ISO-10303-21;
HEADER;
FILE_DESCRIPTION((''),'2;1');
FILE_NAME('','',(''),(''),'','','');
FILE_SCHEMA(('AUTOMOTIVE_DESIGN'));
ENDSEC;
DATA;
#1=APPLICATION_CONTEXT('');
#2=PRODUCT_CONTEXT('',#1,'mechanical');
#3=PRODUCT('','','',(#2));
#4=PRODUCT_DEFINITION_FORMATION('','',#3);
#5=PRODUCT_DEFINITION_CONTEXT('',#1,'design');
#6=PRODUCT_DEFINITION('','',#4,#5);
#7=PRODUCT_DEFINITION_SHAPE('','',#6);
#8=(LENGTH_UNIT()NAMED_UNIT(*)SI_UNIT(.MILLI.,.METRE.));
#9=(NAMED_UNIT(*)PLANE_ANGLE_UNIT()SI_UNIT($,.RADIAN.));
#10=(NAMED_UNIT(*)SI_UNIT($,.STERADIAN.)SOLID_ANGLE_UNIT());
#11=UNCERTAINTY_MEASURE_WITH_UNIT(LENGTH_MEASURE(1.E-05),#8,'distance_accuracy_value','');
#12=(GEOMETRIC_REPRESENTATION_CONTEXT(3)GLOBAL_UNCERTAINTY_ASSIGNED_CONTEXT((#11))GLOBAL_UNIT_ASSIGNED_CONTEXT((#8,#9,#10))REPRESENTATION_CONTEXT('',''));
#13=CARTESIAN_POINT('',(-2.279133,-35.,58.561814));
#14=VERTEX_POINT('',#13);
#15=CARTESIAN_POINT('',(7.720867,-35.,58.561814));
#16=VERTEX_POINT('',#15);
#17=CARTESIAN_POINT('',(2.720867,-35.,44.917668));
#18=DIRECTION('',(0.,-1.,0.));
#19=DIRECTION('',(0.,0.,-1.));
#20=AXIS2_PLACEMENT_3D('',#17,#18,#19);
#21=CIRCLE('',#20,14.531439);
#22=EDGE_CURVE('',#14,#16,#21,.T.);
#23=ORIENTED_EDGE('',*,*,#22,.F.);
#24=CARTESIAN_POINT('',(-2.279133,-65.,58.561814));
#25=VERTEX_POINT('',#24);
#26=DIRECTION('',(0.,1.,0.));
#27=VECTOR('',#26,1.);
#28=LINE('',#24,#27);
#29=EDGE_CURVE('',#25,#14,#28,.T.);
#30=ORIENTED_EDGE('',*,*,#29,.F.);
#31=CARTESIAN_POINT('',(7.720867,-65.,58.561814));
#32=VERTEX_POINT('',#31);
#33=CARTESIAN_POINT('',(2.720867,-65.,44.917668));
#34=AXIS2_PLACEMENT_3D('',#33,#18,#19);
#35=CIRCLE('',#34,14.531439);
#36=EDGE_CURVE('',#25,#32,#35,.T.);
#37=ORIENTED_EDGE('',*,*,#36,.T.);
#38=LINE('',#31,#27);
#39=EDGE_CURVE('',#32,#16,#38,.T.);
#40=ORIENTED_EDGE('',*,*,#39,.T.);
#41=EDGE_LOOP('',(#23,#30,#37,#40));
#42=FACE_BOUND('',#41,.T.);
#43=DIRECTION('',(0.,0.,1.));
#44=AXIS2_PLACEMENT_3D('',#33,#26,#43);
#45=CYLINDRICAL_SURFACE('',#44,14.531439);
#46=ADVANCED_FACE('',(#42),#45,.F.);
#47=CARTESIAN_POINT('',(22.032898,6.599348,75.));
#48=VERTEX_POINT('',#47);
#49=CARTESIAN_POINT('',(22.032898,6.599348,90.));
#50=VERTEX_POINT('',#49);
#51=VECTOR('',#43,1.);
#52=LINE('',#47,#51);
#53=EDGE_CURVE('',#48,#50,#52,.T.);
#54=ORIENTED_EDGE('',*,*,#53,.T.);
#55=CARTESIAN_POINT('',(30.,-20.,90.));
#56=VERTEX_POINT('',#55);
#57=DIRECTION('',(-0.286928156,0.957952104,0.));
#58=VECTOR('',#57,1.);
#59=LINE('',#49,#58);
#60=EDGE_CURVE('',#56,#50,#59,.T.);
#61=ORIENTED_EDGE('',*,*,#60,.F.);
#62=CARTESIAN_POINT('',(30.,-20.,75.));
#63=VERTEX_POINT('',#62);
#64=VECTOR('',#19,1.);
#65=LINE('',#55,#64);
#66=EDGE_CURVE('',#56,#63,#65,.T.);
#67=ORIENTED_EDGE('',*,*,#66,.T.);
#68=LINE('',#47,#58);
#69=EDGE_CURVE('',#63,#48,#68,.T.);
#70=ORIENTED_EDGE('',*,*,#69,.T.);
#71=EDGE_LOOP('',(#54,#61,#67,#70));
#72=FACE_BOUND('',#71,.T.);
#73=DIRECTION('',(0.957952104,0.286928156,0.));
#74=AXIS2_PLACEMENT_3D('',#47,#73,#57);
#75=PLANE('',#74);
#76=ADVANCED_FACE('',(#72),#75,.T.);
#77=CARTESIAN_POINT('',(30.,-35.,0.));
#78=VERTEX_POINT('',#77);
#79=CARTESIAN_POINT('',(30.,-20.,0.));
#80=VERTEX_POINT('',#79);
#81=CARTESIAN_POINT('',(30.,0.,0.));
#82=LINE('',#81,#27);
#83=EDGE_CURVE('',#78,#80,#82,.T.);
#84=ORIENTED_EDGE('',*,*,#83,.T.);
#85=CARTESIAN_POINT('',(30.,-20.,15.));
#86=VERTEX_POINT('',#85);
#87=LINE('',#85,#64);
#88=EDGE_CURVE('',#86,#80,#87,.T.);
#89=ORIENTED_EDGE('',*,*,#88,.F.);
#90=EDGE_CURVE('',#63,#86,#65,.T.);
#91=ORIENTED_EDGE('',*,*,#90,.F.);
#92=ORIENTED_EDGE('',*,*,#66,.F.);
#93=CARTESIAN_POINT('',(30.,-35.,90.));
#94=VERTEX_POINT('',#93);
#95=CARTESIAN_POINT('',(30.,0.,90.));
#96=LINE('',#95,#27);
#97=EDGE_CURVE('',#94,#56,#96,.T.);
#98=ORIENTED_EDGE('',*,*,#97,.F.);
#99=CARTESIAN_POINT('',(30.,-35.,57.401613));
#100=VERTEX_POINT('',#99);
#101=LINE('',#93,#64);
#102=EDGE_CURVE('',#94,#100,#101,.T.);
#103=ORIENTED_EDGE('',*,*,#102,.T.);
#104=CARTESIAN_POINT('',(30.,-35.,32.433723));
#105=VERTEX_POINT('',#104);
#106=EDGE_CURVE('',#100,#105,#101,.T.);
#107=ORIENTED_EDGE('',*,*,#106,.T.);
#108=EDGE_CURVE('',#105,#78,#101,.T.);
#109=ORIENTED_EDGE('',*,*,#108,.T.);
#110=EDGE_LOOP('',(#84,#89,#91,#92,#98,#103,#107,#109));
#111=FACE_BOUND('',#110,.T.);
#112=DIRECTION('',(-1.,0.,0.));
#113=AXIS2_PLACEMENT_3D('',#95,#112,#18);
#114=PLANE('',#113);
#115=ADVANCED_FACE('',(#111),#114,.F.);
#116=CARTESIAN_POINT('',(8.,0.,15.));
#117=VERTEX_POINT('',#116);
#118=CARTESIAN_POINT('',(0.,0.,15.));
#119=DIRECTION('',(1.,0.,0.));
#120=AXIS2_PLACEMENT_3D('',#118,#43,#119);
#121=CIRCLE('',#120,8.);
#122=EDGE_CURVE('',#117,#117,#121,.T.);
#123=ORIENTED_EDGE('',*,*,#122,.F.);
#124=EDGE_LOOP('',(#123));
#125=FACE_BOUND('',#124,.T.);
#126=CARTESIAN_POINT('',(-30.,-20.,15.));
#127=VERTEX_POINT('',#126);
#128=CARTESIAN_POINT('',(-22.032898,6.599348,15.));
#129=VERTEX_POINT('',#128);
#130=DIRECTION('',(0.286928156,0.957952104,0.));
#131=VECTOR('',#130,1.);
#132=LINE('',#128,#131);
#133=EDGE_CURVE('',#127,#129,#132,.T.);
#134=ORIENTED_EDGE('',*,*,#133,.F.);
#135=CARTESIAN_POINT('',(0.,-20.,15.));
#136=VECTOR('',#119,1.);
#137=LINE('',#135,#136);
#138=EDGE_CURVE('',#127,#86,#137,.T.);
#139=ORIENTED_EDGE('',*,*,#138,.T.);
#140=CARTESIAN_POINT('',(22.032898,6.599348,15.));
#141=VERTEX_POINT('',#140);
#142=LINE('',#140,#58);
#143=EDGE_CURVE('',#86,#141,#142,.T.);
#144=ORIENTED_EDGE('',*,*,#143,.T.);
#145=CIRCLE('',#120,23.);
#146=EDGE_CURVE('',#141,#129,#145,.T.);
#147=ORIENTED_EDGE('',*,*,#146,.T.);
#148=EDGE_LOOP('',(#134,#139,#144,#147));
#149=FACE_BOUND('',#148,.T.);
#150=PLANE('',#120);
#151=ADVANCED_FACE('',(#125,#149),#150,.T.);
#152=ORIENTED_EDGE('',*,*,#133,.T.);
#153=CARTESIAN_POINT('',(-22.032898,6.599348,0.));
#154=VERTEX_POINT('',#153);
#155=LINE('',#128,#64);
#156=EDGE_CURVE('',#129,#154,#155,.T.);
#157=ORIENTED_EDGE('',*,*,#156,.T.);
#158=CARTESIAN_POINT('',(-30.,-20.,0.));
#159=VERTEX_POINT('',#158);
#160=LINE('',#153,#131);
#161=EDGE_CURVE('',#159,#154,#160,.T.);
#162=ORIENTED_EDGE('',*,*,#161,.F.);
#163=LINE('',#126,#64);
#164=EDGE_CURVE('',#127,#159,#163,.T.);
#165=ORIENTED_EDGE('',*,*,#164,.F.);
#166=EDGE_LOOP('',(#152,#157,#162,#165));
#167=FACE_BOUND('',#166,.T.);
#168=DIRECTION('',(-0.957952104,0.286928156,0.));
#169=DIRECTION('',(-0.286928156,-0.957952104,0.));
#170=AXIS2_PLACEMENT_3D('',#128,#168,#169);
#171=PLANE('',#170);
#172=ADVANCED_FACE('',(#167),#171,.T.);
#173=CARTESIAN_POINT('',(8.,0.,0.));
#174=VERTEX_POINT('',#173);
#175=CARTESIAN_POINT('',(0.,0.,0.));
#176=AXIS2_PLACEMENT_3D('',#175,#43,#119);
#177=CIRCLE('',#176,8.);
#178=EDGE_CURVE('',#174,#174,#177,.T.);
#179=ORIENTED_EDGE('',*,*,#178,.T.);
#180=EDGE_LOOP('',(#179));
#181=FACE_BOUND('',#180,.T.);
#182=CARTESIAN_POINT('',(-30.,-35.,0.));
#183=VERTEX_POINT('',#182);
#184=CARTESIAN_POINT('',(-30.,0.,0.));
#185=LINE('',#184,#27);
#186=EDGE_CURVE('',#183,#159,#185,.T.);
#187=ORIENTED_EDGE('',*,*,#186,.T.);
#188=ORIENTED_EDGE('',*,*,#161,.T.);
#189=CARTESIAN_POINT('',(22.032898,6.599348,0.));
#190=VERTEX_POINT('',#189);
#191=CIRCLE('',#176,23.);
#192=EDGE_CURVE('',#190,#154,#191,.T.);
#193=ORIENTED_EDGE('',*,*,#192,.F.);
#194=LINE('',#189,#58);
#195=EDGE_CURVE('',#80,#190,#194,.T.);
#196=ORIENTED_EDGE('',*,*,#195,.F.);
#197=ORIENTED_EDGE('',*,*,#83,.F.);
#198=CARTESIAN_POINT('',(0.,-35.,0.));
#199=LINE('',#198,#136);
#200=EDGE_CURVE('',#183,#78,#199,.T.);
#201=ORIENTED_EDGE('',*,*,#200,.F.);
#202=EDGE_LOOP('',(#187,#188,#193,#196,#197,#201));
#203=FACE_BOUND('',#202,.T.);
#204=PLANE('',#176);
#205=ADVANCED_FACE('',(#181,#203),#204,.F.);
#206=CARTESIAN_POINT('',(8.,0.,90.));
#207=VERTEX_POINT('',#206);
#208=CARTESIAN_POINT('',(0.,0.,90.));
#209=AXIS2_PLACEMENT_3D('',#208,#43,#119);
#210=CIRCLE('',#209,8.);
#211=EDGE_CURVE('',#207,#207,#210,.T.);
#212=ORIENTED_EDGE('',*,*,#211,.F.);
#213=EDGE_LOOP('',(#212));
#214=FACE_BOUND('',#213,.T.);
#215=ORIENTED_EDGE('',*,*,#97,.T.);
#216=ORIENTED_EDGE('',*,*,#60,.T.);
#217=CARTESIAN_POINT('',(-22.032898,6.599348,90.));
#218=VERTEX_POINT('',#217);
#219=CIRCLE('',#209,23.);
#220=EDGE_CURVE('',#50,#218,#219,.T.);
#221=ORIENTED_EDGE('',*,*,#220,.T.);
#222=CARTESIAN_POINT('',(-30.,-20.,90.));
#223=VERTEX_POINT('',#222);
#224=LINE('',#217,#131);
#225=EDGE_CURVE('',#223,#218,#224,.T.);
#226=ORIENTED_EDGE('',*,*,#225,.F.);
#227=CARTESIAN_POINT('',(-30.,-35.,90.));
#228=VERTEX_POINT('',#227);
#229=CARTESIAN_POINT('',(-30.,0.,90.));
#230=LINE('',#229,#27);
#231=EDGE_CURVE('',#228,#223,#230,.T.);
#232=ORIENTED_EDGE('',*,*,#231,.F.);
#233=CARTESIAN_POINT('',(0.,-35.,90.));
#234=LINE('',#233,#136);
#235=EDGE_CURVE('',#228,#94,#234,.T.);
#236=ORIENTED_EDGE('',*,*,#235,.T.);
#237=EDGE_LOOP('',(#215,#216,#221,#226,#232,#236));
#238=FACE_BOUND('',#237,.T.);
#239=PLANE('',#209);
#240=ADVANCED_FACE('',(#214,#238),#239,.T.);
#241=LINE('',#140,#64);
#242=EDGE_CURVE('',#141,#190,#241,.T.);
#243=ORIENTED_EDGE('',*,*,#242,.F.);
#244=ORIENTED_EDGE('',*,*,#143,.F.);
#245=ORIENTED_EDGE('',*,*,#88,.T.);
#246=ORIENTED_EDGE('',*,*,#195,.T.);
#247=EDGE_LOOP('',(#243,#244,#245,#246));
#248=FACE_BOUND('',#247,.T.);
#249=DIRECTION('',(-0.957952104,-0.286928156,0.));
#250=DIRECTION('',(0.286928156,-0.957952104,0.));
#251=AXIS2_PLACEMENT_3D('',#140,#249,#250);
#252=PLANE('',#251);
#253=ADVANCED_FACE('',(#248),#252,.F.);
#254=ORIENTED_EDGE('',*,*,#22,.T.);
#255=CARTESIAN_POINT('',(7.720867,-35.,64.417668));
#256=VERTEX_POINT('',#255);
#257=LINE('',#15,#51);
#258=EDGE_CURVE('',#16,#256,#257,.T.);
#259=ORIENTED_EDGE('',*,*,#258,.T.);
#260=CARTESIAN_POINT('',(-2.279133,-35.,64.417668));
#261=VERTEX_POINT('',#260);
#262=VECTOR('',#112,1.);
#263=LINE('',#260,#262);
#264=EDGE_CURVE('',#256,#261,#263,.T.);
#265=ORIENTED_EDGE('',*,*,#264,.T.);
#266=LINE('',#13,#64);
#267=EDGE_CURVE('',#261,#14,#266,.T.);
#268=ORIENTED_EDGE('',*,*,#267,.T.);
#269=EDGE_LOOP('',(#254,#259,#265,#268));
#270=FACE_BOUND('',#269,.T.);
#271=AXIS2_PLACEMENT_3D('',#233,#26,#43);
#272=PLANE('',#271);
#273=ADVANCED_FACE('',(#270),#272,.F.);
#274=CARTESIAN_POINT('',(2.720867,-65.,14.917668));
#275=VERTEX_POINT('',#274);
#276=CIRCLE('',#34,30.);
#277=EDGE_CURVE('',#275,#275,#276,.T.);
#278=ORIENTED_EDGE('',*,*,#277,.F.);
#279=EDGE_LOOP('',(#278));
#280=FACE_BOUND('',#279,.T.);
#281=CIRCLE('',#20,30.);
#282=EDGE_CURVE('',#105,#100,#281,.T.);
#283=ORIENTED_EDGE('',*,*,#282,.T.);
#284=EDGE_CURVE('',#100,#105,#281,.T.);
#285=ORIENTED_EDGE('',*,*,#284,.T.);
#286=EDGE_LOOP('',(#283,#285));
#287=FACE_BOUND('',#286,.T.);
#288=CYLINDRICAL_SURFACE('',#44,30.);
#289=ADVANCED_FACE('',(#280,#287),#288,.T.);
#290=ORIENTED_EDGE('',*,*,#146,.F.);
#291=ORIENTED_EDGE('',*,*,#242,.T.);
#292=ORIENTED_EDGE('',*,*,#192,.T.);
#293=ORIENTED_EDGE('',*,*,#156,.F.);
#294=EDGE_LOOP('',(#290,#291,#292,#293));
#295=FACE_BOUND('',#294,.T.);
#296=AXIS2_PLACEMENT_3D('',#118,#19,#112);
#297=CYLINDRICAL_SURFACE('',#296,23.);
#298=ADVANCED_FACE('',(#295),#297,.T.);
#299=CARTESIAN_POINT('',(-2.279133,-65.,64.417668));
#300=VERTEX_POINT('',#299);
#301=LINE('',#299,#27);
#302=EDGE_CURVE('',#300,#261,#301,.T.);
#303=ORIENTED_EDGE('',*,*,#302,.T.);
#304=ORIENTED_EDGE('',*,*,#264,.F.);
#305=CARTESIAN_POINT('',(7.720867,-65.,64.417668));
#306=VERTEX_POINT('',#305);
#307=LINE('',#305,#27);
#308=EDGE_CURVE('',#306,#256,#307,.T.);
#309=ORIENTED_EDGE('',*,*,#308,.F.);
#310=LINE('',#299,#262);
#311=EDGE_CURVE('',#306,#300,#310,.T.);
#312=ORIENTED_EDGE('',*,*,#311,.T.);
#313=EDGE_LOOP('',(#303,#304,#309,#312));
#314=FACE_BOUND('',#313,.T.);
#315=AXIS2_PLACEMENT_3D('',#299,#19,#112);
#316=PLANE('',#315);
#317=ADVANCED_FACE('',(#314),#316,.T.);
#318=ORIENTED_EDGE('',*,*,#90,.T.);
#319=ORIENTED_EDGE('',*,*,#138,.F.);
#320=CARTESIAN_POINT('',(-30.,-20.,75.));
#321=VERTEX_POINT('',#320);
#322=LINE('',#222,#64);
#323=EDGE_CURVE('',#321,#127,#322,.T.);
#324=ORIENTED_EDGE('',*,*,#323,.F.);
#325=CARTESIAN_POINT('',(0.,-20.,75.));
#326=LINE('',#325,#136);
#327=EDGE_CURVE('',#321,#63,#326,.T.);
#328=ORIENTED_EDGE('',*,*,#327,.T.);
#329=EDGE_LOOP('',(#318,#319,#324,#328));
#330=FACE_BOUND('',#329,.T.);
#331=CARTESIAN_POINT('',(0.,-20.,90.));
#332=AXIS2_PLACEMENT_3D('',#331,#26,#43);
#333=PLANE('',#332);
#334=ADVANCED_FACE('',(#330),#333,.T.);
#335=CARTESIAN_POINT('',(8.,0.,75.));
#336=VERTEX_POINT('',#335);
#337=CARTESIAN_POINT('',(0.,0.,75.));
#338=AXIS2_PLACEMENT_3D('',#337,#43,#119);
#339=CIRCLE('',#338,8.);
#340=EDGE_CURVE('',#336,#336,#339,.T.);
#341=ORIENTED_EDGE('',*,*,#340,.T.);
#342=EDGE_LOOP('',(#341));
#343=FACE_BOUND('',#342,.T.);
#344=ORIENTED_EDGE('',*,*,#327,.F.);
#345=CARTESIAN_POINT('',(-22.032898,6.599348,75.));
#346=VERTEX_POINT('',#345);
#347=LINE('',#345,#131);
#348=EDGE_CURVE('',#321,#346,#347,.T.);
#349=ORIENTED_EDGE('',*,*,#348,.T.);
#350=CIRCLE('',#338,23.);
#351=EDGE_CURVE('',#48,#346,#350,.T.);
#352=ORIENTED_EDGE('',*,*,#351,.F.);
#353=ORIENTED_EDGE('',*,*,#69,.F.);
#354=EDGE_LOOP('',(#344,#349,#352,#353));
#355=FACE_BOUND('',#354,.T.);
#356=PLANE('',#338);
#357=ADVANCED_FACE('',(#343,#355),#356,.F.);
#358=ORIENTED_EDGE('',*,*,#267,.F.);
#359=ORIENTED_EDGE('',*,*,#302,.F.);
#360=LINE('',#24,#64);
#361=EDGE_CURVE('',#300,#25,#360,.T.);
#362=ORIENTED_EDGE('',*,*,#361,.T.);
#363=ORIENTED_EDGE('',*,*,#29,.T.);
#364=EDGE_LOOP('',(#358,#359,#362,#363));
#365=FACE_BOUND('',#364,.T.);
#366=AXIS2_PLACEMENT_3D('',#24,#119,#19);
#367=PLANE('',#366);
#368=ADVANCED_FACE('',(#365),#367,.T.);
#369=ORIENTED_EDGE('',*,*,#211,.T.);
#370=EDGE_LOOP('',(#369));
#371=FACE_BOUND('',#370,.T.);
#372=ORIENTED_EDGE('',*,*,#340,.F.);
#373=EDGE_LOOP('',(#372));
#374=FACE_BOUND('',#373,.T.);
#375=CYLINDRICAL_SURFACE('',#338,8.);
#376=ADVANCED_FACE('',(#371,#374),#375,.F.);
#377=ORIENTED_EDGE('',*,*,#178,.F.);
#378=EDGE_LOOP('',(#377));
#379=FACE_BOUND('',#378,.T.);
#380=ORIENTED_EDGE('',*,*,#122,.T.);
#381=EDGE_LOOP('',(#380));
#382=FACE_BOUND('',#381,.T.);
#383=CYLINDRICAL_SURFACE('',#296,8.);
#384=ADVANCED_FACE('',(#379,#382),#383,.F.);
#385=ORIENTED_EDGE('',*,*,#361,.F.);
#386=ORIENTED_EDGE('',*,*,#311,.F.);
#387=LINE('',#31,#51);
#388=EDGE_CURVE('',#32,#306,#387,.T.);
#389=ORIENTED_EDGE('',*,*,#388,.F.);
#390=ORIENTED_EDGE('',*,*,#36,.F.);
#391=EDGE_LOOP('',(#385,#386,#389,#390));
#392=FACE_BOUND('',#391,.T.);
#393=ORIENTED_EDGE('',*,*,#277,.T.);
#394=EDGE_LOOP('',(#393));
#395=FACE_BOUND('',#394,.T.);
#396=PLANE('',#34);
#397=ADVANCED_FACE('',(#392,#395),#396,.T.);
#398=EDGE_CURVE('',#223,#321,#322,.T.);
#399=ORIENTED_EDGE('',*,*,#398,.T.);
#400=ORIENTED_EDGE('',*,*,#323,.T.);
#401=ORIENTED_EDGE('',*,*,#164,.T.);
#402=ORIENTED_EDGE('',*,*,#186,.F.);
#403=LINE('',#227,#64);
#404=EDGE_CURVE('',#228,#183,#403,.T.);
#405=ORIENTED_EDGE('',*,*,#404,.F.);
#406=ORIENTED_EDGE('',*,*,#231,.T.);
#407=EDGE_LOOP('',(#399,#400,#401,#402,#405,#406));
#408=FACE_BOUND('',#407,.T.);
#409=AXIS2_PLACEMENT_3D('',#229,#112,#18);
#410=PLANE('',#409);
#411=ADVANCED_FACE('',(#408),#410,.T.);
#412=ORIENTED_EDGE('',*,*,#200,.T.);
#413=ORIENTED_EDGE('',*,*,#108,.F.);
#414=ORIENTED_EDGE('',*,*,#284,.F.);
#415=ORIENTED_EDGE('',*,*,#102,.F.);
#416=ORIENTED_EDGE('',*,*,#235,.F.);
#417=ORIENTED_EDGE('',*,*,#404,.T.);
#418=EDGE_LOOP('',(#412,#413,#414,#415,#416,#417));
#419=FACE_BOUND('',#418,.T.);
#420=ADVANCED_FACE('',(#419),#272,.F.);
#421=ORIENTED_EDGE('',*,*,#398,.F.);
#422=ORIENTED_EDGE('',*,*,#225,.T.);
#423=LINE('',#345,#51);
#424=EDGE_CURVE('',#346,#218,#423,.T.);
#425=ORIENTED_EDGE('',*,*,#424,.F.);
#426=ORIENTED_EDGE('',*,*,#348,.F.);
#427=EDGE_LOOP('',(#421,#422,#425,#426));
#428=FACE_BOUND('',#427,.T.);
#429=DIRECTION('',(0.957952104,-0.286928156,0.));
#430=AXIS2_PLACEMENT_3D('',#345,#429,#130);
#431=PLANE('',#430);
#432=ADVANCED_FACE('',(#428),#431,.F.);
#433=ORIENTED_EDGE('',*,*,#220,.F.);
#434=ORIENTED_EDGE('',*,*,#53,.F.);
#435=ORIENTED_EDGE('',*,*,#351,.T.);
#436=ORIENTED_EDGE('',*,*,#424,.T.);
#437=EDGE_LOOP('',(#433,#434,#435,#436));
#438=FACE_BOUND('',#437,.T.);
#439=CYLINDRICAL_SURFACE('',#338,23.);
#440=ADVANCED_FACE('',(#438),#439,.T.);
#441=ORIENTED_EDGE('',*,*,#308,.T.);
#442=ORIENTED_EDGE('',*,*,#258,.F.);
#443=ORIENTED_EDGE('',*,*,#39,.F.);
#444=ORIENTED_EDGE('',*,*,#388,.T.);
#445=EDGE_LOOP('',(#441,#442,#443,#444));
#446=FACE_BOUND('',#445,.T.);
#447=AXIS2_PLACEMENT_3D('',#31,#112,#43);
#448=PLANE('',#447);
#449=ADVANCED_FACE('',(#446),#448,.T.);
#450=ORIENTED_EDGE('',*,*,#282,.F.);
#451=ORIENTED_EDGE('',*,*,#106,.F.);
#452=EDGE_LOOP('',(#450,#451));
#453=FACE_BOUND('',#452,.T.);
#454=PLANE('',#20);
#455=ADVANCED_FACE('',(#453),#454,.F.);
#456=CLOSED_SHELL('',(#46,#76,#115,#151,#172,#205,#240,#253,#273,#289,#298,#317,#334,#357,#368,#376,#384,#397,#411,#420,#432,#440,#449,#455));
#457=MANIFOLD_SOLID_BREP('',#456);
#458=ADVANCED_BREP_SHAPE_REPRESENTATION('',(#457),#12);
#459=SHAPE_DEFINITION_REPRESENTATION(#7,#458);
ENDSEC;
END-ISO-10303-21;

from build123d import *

# Parameters (mm, degrees)
SKETCH1_R           = 8
BOSS_EXTRUDE2_DEPTH = 15
SKETCH1_5_W         = 60
SKETCH1_5_H         = 15
BOSS_EXTRUDE3_DEPTH = 90
BOSS_EXTRUDE4_START = -15
SKETCH2_R           = 8
BOSS_EXTRUDE4_DEPTH = 15
SKETCH3_R           = 30
BOSS_EXTRUDE5_DEPTH = 30


with BuildPart() as part:
    # Sketch1 → Boss-Extrude2 (new body)
    with BuildSketch(Plane.XY):
        with BuildLine():
            Line((-22.03289839, 6.599347585), (-30, -20))
            Line((-30, -20), (30, -20))
            Line((30, -20), (22.03289839, 6.599347585))
            ThreePointArc((22.03289839, 6.599347585), (0, 23), (-22.03289839, 6.599347585))
        make_face()
        Circle(SKETCH1_R, mode=Mode.SUBTRACT)
    extrude(amount=BOSS_EXTRUDE2_DEPTH)

    # Sketch1<5> → Boss-Extrude3 (add)
    with BuildSketch(Plane.XY):
        with Locations((0, -27.5)):
            Rectangle(SKETCH1_5_W, SKETCH1_5_H)
    extrude(amount=BOSS_EXTRUDE3_DEPTH)

    # Sketch2 → Boss-Extrude4 (add)
    with BuildSketch(Plane.XY.offset(90).offset(BOSS_EXTRUDE4_START)):
        with BuildLine():
            Line((-22.03289839, 6.599347585), (-30, -20))
            Line((-30, -20), (30, -20))
            Line((30, -20), (22.03289839, 6.599347585))
            ThreePointArc((22.03289839, 6.599347585), (0, 23), (-22.03289839, 6.599347585))
        make_face()
        Circle(SKETCH2_R, mode=Mode.SUBTRACT)
    extrude(amount=BOSS_EXTRUDE4_DEPTH)

    # Sketch3 → Boss-Extrude5 (add)
    with BuildSketch(Plane.XZ.offset(35)):
        with Locations((2.720866767, 44.917667838)):
            Circle(SKETCH3_R)
        with BuildLine():
            Line((-2.279133233, 58.561813924), (-2.279133233, 64.417667838))
            Line((-2.279133233, 64.417667838), (7.720866767, 64.417667838))
            Line((7.720866767, 64.417667838), (7.720866767, 58.561813924))
            ThreePointArc((7.720866767, 58.561813924), (2.720866767, 30.386228736), (-2.279133233, 58.561813924))
        make_face(mode=Mode.SUBTRACT)
    extrude(amount=BOSS_EXTRUDE5_DEPTH)


solid = part.part
